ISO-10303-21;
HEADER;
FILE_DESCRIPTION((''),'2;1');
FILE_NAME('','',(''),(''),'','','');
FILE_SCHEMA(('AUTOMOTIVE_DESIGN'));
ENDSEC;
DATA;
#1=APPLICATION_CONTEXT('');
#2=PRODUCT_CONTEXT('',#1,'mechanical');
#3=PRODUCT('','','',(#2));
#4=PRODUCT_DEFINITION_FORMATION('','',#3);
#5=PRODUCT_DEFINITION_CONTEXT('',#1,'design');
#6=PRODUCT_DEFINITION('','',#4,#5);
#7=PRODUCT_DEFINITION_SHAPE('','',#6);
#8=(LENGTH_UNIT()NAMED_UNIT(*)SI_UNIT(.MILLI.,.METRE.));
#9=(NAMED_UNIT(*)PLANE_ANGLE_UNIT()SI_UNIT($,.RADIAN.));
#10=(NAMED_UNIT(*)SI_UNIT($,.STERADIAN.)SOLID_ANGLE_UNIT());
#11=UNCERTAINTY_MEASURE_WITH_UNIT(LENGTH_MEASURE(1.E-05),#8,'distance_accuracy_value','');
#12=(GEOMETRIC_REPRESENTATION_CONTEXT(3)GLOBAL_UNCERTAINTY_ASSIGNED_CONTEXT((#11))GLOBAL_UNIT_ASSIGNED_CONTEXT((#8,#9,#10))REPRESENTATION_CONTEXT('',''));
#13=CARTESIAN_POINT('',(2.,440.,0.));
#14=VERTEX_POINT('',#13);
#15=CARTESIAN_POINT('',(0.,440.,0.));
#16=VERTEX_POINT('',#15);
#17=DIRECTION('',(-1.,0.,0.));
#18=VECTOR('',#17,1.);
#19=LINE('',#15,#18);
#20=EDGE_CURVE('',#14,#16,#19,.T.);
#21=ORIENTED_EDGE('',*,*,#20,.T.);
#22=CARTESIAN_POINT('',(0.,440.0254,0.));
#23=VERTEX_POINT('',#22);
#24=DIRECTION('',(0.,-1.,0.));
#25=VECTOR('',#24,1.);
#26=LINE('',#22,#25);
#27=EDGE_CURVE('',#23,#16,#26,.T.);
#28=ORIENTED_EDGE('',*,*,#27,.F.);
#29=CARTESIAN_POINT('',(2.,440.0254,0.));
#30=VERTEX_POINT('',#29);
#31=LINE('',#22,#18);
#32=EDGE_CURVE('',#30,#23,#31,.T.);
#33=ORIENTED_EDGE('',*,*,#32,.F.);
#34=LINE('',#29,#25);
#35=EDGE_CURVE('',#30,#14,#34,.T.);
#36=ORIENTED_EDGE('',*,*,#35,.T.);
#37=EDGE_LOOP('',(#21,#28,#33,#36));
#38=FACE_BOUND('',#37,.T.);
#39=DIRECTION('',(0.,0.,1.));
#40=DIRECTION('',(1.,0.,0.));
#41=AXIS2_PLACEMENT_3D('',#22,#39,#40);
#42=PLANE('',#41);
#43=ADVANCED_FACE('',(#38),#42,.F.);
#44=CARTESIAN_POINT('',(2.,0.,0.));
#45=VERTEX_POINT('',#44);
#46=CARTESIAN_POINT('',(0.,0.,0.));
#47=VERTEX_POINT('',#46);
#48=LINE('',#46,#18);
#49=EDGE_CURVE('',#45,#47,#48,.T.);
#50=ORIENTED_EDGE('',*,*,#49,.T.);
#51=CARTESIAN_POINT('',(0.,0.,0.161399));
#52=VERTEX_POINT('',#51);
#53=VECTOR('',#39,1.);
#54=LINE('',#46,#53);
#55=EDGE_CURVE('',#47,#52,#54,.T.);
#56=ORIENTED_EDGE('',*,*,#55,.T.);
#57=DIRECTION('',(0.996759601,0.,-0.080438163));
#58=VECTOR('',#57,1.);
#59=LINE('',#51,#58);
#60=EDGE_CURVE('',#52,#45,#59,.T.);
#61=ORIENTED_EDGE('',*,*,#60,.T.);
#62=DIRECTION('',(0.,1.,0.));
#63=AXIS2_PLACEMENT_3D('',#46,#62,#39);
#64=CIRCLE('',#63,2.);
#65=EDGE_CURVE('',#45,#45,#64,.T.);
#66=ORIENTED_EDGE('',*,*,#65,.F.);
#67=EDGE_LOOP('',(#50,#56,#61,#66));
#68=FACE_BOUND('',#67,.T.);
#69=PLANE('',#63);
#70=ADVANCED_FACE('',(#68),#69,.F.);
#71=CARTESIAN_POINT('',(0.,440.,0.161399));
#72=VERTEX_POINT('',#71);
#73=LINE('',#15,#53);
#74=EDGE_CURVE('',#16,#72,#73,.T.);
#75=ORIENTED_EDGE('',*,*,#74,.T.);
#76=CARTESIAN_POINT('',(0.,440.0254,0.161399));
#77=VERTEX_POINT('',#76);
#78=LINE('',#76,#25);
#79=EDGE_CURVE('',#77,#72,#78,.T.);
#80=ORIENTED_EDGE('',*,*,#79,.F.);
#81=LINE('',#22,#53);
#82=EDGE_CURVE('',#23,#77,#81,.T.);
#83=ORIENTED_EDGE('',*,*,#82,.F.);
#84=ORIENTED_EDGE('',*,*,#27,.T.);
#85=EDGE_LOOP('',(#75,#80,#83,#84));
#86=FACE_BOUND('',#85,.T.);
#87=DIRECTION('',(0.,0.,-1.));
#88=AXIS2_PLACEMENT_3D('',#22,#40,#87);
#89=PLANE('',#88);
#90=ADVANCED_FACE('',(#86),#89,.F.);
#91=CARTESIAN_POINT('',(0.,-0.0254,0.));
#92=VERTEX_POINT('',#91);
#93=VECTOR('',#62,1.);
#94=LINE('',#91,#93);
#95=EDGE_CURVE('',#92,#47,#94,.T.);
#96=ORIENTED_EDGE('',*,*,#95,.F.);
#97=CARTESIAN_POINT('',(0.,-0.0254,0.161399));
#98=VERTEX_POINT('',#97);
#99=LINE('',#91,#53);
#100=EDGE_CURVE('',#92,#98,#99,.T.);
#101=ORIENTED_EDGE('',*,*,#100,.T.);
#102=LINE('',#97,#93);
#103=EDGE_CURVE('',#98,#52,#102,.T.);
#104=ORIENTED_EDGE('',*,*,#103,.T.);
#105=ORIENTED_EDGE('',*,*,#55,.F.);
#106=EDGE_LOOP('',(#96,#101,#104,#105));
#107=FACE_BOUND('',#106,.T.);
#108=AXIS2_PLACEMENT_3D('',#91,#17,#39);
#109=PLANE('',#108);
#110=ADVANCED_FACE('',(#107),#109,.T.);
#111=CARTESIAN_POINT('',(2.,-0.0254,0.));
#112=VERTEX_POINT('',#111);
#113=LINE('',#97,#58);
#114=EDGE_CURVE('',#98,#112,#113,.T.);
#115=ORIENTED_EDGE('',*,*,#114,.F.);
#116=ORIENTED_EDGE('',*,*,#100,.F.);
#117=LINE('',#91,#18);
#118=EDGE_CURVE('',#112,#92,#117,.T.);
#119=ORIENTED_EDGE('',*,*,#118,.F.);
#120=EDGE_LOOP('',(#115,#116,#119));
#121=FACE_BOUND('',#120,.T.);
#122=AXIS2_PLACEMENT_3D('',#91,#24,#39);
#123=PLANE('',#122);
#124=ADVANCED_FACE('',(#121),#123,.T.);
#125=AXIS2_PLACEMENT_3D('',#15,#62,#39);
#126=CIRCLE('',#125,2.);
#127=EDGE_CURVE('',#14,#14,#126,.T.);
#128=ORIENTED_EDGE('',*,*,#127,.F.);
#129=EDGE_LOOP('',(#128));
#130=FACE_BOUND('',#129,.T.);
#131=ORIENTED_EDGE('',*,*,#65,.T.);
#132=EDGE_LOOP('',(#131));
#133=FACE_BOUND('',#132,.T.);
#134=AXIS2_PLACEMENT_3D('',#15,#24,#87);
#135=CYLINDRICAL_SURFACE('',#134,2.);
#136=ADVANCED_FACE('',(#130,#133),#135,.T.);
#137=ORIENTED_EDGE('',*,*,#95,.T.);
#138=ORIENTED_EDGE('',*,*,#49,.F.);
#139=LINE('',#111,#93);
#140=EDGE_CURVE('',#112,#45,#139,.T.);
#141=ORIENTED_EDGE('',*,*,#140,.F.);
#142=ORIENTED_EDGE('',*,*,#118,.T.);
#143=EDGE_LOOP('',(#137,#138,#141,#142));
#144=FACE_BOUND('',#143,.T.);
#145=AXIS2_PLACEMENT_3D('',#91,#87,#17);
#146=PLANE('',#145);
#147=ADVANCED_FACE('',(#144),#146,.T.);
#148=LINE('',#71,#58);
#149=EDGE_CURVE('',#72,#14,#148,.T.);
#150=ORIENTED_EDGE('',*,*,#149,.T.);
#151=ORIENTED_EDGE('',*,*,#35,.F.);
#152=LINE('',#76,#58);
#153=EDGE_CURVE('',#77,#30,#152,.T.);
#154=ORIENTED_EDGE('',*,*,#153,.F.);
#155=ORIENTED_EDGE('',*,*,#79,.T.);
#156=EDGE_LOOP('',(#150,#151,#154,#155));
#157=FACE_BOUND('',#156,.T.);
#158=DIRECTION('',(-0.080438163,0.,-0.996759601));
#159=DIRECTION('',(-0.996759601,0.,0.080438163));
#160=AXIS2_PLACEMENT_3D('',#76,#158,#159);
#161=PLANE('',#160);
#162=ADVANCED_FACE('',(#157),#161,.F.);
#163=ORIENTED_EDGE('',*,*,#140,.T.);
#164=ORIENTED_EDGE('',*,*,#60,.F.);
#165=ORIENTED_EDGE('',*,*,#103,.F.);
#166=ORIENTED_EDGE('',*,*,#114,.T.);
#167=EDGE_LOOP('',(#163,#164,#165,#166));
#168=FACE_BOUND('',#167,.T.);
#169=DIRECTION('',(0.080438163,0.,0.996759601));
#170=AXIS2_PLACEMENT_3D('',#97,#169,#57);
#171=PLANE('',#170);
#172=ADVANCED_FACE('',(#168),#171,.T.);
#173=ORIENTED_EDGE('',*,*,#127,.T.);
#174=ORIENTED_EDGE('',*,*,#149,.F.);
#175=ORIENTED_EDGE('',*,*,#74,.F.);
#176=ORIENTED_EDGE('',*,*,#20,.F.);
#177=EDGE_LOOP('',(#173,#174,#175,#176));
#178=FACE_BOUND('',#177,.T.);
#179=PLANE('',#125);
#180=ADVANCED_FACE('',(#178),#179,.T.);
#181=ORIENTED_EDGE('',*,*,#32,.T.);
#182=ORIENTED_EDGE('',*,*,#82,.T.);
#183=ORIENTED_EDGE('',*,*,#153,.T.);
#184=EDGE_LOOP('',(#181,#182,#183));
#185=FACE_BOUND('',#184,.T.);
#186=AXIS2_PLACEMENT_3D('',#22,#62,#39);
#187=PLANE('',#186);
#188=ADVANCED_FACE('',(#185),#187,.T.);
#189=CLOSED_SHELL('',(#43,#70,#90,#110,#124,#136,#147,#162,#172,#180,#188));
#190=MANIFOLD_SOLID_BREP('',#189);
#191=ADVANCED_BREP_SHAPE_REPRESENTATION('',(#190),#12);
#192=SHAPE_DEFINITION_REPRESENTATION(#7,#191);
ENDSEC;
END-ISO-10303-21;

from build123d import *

# Parameters (mm, degrees)
SKETCH1_R           = 2
BOSS_EXTRUDE1_DEPTH = 440.000000112
BOSS_EXTRUDE2_DEPTH = 0.0254


with BuildPart() as part:
    # Sketch1 → Boss-Extrude1 (new body)
    with BuildSketch(Plane(origin=(0, 0, 0), x_dir=(1, 0, 0), z_dir=(0, 1, 0))):
        Circle(SKETCH1_R)
    extrude(amount=BOSS_EXTRUDE1_DEPTH)

    # Sketch2 → Boss-Extrude2 (add)
    with BuildSketch(Plane(origin=(0, 440.000000112, 0), x_dir=(1, 0, 0), z_dir=(0, 1, 0))):
        Polygon((0, 0), (2, 0), (0, -0.161399324), align=None)
    boss_extrude2 = extrude(amount=BOSS_EXTRUDE2_DEPTH)

    # Mirror1: Boss-Extrude2 across plane
    add(boss_extrude2.mirror(Plane.ZX.offset(220.000000056)))


solid = part.part
